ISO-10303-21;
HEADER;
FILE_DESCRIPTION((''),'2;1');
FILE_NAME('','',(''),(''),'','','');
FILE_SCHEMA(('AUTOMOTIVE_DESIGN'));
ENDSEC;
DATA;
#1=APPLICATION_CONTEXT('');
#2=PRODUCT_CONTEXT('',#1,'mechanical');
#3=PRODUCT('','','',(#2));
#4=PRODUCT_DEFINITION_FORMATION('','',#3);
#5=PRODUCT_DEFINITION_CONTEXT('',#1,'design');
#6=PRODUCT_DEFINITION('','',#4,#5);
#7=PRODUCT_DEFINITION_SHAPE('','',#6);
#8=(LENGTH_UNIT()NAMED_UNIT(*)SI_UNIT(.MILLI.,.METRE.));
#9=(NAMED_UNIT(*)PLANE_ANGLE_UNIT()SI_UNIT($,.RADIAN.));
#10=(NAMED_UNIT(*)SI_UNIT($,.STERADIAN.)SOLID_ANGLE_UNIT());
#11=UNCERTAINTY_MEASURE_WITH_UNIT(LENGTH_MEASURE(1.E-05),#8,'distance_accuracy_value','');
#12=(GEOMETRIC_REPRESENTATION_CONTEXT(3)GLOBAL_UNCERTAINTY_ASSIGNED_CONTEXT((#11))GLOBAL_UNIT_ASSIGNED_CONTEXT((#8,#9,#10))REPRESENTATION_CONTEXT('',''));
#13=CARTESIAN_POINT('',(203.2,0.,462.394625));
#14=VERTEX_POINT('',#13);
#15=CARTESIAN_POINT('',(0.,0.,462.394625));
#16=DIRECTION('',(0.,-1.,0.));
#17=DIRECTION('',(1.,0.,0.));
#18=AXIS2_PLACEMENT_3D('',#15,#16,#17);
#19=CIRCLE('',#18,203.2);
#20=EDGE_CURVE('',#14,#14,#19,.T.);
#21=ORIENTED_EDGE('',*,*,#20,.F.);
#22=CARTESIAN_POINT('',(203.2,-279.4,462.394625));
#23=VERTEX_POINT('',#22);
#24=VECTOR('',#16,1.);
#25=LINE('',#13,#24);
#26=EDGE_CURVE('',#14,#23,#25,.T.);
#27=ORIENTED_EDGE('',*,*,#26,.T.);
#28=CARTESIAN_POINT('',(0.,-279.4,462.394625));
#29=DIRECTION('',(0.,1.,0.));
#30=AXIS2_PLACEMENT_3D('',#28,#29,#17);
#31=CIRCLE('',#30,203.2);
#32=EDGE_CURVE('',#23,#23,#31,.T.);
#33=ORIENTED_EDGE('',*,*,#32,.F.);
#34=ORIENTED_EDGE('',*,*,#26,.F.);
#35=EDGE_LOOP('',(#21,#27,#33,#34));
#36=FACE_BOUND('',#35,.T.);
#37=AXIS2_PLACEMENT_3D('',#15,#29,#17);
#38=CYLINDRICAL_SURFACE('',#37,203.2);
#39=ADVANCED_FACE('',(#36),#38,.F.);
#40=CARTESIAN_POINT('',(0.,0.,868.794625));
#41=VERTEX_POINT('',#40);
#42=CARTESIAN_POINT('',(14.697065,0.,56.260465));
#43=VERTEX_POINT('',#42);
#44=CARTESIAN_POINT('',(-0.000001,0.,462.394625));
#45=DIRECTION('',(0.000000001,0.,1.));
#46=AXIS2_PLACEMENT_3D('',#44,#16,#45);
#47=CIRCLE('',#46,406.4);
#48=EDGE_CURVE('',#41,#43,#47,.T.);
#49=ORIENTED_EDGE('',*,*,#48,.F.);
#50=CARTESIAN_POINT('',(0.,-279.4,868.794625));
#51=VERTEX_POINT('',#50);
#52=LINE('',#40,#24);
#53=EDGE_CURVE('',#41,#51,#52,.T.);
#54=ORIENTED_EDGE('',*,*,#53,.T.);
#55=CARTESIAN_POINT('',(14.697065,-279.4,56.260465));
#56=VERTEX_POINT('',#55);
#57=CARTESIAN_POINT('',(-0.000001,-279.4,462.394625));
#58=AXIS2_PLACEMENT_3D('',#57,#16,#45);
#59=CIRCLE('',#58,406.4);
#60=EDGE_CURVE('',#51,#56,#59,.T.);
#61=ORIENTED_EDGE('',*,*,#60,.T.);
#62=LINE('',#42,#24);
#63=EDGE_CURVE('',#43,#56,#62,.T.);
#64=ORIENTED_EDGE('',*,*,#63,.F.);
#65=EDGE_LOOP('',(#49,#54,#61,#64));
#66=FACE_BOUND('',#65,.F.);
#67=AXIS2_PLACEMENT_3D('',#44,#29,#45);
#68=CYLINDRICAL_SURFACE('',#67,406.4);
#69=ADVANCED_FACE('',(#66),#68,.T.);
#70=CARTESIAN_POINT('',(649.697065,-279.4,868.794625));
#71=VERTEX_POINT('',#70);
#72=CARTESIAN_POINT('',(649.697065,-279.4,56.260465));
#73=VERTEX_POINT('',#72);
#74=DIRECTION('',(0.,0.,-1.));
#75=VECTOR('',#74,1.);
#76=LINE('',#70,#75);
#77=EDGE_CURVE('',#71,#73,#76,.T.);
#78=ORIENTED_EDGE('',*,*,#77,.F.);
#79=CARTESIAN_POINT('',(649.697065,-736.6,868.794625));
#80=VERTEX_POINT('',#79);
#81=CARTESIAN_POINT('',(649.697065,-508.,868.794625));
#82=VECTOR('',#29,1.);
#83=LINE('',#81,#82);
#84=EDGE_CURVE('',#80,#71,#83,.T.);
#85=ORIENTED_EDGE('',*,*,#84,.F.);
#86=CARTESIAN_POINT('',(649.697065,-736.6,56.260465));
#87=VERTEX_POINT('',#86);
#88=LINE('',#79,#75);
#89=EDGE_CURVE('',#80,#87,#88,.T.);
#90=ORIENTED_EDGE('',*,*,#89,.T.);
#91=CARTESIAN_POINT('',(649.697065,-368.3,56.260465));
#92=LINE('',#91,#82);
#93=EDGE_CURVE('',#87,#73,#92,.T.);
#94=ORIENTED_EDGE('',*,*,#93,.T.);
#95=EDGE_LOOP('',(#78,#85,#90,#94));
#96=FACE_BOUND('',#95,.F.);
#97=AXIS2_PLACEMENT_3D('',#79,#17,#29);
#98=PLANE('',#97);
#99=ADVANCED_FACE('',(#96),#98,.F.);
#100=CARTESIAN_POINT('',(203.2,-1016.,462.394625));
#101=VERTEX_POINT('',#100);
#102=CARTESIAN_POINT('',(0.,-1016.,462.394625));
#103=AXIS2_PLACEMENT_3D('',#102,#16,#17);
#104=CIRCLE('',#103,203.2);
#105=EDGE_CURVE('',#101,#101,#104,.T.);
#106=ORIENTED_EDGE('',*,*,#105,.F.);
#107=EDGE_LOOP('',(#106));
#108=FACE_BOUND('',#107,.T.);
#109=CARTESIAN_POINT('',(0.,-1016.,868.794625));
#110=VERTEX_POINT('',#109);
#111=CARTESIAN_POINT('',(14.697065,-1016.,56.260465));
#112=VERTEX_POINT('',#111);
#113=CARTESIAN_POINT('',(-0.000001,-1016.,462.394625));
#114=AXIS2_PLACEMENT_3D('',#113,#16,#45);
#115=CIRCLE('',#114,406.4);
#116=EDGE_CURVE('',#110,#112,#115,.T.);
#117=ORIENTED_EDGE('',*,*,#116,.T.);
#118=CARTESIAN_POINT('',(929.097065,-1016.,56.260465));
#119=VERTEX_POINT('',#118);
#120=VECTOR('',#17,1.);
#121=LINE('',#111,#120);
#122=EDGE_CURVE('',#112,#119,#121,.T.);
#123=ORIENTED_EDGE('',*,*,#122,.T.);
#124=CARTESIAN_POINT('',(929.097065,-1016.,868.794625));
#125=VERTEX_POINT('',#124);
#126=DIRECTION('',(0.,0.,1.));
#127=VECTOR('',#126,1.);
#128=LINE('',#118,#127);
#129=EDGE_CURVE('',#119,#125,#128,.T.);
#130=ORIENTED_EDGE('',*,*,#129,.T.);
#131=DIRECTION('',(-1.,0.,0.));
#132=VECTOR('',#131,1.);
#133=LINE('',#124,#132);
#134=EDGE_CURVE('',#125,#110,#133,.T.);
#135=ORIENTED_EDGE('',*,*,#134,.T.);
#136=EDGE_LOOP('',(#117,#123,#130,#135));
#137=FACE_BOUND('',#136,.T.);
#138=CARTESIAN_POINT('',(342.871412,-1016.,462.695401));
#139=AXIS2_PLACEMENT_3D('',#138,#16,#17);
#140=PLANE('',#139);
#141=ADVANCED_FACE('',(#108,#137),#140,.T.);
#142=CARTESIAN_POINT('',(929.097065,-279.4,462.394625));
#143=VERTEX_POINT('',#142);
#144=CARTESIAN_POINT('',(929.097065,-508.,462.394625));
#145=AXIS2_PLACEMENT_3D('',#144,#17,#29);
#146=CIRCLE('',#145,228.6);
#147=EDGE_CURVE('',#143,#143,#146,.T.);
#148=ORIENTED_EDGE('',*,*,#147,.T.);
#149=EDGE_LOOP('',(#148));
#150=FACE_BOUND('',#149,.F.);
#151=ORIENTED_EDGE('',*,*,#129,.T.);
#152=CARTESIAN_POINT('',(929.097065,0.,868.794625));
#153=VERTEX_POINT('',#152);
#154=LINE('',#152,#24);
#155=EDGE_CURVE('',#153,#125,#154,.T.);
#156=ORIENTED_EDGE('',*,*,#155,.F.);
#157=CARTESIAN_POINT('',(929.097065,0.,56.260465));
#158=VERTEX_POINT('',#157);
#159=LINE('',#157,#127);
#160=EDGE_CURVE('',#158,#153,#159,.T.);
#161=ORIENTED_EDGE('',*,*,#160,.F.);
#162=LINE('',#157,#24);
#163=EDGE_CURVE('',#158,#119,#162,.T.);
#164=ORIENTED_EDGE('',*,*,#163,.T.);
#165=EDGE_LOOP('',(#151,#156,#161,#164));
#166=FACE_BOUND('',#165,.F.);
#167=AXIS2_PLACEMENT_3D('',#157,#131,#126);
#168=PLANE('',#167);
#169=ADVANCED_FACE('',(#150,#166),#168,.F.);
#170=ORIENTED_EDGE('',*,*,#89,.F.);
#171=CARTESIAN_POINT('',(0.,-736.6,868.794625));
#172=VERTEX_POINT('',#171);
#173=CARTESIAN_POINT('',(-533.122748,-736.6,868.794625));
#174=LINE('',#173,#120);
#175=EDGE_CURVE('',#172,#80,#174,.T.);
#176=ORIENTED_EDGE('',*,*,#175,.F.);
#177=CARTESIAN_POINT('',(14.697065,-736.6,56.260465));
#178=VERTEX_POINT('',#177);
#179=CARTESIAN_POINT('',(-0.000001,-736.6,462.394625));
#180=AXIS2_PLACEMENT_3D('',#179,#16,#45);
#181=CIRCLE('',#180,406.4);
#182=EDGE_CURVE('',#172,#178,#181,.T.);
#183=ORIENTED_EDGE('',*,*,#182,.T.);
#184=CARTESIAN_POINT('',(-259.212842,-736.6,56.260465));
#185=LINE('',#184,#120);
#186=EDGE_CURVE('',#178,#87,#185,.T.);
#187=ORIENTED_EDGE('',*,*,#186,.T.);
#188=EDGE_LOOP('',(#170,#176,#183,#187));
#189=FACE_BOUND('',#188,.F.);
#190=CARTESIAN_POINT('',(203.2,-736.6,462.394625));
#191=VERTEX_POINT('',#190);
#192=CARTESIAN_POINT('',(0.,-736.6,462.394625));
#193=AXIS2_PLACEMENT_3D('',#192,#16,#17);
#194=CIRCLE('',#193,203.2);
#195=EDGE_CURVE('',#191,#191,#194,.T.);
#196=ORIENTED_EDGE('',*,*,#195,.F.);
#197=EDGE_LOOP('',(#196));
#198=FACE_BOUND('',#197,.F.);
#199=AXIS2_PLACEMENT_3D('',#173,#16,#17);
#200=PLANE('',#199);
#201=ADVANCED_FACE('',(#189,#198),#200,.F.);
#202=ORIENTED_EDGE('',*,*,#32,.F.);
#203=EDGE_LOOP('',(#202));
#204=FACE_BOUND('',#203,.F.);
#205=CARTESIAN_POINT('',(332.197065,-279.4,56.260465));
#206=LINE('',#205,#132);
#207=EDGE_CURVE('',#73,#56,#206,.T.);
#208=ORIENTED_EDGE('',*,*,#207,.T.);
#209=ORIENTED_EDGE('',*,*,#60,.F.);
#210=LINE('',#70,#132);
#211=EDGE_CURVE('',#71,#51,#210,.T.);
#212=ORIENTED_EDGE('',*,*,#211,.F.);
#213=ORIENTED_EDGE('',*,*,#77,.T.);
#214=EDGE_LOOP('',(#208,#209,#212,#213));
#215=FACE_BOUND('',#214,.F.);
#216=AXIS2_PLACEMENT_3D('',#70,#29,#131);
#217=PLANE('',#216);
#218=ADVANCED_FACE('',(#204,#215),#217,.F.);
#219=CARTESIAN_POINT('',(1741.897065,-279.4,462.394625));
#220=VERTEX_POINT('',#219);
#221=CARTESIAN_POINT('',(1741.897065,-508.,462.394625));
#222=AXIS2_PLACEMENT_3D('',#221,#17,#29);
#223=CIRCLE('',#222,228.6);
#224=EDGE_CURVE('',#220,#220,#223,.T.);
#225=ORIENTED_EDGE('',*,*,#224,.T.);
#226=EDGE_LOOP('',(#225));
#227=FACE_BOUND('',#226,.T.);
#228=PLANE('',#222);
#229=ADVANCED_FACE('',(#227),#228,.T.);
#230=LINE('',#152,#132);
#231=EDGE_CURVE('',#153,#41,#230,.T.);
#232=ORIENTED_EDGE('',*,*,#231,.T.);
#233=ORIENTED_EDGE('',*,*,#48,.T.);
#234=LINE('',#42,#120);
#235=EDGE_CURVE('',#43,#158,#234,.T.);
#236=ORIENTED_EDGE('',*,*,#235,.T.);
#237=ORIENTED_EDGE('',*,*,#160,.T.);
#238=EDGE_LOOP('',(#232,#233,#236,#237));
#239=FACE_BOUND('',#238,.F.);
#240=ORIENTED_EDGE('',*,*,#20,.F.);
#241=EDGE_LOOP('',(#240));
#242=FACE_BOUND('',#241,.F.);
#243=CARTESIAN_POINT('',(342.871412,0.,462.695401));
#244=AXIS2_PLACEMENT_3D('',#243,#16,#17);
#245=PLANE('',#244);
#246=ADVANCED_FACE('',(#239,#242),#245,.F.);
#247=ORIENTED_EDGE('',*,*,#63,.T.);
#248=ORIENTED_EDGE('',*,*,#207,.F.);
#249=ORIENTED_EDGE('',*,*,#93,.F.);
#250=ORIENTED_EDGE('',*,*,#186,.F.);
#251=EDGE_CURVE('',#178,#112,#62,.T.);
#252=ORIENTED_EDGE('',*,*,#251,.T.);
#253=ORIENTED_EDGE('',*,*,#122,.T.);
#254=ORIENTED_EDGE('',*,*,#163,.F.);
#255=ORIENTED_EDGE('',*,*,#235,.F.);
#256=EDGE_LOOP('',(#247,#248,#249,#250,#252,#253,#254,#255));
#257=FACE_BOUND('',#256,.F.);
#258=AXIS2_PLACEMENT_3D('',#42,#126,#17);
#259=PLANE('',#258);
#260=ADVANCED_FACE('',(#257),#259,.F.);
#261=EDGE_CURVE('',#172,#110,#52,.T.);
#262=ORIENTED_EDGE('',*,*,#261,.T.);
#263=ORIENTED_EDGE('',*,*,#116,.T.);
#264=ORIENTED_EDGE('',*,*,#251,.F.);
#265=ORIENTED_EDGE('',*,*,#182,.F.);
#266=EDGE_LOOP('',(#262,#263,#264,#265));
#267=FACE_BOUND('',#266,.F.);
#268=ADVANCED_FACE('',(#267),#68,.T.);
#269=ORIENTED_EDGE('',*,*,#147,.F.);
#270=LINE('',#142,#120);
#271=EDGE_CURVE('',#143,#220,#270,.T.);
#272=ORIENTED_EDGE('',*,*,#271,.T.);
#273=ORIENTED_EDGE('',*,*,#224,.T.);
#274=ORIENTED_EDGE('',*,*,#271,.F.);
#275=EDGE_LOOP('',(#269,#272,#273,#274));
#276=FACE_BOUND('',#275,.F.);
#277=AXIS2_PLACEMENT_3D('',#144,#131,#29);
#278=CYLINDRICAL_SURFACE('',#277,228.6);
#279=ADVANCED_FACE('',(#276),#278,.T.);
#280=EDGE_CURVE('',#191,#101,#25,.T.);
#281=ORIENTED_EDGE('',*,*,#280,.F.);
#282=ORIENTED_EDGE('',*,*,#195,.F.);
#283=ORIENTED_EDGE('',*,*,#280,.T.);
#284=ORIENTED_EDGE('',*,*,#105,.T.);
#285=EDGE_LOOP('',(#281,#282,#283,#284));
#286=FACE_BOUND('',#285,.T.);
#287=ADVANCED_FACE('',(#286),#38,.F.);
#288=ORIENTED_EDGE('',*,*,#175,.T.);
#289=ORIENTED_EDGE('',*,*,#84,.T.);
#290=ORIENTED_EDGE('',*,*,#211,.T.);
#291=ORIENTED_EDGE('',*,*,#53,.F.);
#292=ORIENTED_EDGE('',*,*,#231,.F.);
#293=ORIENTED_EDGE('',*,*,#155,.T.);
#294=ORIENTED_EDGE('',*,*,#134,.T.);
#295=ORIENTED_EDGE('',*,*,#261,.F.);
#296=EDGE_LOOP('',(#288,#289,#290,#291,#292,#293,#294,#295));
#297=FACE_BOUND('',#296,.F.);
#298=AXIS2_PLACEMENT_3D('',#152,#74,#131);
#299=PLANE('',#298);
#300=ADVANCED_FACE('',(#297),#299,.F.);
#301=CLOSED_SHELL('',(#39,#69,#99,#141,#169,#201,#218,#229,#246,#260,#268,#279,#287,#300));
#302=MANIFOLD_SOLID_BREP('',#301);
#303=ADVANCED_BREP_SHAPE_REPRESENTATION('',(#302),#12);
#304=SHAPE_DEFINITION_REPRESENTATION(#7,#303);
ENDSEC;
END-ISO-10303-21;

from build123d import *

# Parameters (mm, degrees)
F0_R     = 203.2
F1_DEPTH = 1016
F2_R     = 228.6
F3_DEPTH = 812.8
F5_W     = 533.122748
F5_H     = 457.2
F6_DEPTH = 812.801
F5_W_2   = 649.697065
F7_DEPTH = 812.801


with BuildPart() as f1:
    # F0 (on Front) → F1 (new body)
    with BuildSketch(Plane.XZ):
        with BuildLine():
            Line((14.697065, 56.260465), (929.097065, 56.260465))
            Line((929.097065, 56.260465), (929.097065, 868.794625))
            Line((929.097065, 868.794625), (0, 868.794625))
            ThreePointArc((0, 868.794625), (-406.333535, 455.04489), (14.697065, 56.260465))
        make_face()
        with Locations((0, 462.394625)):
            Circle(F0_R, mode=Mode.SUBTRACT)
    extrude(amount=F1_DEPTH)

    # F2 (on face) → F3 (join)
    with BuildSketch(Plane.YZ.offset(929.097065)):
        with Locations((-508, 462.394625)):
            Circle(F2_R)
    extrude(amount=F3_DEPTH)

    # F5 (on face) → F6 (cut, through all)
    with BuildSketch(Plane.XY.offset(868.794625)):
        with Locations((-266.561374, -508)):
            Rectangle(F5_W, F5_H)
    extrude(amount=-F6_DEPTH, mode=Mode.SUBTRACT)

    # F5 (on face) → F7 (cut, through all)
    with BuildSketch(Plane.XY.offset(868.794625)):
        with Locations((324.848532, -508)):
            Rectangle(F5_W_2, F5_H)
        with Locations((-266.561374, -508)):
            Rectangle(F5_W, F5_H)
    extrude(amount=-F7_DEPTH, mode=Mode.SUBTRACT)


solid = f1.part
